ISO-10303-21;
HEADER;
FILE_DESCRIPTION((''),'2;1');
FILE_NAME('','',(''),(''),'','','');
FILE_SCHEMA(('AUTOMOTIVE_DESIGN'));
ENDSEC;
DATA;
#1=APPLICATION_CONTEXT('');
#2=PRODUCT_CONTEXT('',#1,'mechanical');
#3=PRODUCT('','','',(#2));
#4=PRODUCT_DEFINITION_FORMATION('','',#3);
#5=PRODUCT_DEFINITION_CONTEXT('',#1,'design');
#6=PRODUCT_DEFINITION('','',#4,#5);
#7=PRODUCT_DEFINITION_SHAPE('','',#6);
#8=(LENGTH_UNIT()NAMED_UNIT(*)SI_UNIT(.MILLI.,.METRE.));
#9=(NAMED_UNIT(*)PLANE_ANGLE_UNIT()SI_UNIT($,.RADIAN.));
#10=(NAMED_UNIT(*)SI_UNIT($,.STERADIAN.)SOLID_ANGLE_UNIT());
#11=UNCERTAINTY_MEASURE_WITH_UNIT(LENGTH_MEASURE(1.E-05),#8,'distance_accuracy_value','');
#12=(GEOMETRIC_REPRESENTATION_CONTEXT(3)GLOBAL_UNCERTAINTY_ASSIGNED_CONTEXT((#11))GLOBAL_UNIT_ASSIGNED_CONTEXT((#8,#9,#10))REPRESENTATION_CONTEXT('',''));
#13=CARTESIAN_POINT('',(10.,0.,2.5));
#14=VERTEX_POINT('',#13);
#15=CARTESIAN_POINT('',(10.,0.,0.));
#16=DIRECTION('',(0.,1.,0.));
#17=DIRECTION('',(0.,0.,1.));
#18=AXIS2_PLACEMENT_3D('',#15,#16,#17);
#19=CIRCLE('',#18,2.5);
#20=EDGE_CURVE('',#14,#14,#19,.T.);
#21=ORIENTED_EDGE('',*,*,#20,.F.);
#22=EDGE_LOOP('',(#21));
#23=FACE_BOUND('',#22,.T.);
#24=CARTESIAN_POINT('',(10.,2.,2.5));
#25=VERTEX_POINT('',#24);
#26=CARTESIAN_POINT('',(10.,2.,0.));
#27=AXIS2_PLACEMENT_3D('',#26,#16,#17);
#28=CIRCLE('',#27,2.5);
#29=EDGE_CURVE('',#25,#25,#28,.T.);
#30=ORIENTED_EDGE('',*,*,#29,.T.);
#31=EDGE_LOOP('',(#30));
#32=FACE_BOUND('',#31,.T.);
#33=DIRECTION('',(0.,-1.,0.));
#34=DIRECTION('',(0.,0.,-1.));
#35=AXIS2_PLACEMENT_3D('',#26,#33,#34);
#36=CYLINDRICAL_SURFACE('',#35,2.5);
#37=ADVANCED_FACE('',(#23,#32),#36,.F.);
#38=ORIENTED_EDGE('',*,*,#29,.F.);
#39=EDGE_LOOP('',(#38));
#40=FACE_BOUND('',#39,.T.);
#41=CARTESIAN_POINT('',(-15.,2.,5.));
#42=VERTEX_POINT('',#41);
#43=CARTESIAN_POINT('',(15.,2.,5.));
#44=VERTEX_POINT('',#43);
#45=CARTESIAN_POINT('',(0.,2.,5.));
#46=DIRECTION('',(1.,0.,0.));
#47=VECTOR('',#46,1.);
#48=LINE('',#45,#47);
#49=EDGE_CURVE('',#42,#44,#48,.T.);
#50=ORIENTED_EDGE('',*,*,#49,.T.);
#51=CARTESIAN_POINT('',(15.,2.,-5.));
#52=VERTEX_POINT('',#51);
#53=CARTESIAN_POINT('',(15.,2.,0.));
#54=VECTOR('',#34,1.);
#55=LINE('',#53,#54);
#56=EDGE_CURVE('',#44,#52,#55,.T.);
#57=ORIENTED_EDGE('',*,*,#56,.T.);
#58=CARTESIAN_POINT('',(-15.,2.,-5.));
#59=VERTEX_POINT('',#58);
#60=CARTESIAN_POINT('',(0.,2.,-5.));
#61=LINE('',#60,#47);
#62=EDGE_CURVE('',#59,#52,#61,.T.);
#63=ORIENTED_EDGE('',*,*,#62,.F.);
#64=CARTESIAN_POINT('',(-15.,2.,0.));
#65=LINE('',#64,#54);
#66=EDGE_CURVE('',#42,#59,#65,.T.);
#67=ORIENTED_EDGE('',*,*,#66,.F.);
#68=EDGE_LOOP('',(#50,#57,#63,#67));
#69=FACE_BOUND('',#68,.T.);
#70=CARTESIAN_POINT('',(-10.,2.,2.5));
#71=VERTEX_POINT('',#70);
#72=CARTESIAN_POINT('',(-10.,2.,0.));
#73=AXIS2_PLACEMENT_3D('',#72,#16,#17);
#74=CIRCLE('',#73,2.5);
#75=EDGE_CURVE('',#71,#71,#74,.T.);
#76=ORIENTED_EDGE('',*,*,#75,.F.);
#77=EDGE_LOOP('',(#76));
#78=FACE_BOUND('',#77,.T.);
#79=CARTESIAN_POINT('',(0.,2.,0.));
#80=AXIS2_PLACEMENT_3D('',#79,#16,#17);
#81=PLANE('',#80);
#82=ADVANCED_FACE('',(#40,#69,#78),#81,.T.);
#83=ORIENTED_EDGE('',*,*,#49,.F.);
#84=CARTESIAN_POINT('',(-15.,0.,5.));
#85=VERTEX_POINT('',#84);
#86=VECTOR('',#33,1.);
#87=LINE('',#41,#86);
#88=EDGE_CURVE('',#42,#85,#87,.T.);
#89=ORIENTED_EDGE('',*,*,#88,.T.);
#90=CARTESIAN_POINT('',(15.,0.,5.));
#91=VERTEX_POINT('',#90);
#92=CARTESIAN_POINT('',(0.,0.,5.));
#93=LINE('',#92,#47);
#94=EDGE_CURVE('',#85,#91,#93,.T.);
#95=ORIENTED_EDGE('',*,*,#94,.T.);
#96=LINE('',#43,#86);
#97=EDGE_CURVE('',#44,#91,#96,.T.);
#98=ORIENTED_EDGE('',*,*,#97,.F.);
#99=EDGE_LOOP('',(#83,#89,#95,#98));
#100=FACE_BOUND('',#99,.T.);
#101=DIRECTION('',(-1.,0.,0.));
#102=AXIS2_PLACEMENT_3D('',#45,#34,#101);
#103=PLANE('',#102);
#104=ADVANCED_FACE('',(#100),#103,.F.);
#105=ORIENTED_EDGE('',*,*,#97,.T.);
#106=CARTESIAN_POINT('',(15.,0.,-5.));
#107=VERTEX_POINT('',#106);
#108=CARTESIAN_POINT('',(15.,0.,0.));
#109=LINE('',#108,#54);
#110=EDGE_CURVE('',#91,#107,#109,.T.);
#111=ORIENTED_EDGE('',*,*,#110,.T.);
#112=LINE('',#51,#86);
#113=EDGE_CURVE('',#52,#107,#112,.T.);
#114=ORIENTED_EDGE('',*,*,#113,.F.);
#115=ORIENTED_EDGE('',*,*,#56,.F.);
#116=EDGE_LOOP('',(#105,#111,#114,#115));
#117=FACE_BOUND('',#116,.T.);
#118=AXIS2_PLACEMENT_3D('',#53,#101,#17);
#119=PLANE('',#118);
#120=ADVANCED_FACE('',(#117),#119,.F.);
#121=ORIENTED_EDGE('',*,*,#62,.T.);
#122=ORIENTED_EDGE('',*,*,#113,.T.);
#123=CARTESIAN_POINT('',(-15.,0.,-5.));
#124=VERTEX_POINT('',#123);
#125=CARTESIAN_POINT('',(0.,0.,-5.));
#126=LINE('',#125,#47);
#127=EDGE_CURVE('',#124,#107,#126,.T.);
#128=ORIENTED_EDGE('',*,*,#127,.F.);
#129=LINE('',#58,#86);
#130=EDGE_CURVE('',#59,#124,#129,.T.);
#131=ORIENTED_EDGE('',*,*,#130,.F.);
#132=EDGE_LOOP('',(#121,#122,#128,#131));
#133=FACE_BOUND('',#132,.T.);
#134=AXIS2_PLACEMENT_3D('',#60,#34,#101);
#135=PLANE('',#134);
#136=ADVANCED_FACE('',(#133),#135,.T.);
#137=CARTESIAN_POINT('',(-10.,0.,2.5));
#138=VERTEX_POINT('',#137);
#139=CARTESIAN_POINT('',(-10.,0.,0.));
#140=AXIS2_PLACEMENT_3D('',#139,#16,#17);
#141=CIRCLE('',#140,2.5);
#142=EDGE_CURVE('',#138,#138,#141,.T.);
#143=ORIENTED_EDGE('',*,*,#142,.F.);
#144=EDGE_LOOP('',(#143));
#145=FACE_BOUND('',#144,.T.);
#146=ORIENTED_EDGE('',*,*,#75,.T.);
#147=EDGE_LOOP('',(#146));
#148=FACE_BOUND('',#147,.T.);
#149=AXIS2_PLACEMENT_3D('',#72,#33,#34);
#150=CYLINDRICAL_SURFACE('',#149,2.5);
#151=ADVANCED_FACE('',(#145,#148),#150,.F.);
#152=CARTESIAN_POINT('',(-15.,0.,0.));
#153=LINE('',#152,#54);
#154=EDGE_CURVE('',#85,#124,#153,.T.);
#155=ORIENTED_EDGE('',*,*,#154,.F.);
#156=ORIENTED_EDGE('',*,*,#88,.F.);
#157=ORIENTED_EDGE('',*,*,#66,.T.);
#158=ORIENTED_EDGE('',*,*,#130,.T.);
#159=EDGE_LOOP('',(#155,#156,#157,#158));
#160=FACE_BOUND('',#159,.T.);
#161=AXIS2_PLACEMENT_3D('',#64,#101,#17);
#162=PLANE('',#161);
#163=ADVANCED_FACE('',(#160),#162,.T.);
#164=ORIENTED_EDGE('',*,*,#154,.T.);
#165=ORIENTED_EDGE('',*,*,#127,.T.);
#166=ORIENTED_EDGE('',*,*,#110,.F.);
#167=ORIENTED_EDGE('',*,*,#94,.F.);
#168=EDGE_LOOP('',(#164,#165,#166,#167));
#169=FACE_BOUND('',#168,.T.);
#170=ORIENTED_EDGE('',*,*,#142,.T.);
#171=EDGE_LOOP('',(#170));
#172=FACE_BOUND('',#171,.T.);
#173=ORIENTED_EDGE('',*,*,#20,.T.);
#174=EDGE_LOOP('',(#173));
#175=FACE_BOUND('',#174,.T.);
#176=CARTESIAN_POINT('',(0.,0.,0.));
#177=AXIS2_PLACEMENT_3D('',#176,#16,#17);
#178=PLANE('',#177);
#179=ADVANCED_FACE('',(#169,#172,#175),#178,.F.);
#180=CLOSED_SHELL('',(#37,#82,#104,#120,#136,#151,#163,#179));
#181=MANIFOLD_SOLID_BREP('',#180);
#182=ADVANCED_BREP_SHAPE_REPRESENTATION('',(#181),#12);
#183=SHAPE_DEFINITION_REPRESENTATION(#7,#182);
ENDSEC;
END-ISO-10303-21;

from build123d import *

# Parameters (mm, degrees)
SKETCH_1_W      = 30
SKETCH_1_H      = 10
EXTRUDE_1_DEPTH = 2


with BuildPart() as part:
    # 草图1 → 凸台-拉伸1 (new body)
    # profile 1 of 2: a face of its own
    with BuildSketch(Plane(origin=(0, 0, 0), x_dir=(1, 0, 0), z_dir=(0, 1, 0))):
        Rectangle(SKETCH_1_W, SKETCH_1_H)
        with BuildLine():
            Line((10, -2.5), (-10, -2.5))
            ThreePointArc((-10, -2.5), (-12.5, 0), (-10, 2.5))
            Line((-10, 2.5), (10, 2.5))
            ThreePointArc((10, 2.5), (11.767766953, 1.767766953), (12.5, 0))
            ThreePointArc((12.5, 0), (11.767766953, -1.767766953), (10, -2.5))
        make_face(mode=Mode.SUBTRACT)
    # profile 2 of 2: a face of its own
    with BuildSketch(Plane(origin=(0, 0, 0), x_dir=(1, 0, 0), z_dir=(0, 1, 0))):
        with BuildLine():
            ThreePointArc((-7.5, 0), (-8.232233047, -1.767766953), (-10, -2.5))
            Line((-10, -2.5), (10, -2.5))
            ThreePointArc((10, -2.5), (7.5, 0), (10, 2.5))
            Line((10, 2.5), (-10, 2.5))
            ThreePointArc((-10, 2.5), (-8.232233047, 1.767766953), (-7.5, 0))
        make_face()
    extrude(amount=EXTRUDE_1_DEPTH)


solid = part.part
